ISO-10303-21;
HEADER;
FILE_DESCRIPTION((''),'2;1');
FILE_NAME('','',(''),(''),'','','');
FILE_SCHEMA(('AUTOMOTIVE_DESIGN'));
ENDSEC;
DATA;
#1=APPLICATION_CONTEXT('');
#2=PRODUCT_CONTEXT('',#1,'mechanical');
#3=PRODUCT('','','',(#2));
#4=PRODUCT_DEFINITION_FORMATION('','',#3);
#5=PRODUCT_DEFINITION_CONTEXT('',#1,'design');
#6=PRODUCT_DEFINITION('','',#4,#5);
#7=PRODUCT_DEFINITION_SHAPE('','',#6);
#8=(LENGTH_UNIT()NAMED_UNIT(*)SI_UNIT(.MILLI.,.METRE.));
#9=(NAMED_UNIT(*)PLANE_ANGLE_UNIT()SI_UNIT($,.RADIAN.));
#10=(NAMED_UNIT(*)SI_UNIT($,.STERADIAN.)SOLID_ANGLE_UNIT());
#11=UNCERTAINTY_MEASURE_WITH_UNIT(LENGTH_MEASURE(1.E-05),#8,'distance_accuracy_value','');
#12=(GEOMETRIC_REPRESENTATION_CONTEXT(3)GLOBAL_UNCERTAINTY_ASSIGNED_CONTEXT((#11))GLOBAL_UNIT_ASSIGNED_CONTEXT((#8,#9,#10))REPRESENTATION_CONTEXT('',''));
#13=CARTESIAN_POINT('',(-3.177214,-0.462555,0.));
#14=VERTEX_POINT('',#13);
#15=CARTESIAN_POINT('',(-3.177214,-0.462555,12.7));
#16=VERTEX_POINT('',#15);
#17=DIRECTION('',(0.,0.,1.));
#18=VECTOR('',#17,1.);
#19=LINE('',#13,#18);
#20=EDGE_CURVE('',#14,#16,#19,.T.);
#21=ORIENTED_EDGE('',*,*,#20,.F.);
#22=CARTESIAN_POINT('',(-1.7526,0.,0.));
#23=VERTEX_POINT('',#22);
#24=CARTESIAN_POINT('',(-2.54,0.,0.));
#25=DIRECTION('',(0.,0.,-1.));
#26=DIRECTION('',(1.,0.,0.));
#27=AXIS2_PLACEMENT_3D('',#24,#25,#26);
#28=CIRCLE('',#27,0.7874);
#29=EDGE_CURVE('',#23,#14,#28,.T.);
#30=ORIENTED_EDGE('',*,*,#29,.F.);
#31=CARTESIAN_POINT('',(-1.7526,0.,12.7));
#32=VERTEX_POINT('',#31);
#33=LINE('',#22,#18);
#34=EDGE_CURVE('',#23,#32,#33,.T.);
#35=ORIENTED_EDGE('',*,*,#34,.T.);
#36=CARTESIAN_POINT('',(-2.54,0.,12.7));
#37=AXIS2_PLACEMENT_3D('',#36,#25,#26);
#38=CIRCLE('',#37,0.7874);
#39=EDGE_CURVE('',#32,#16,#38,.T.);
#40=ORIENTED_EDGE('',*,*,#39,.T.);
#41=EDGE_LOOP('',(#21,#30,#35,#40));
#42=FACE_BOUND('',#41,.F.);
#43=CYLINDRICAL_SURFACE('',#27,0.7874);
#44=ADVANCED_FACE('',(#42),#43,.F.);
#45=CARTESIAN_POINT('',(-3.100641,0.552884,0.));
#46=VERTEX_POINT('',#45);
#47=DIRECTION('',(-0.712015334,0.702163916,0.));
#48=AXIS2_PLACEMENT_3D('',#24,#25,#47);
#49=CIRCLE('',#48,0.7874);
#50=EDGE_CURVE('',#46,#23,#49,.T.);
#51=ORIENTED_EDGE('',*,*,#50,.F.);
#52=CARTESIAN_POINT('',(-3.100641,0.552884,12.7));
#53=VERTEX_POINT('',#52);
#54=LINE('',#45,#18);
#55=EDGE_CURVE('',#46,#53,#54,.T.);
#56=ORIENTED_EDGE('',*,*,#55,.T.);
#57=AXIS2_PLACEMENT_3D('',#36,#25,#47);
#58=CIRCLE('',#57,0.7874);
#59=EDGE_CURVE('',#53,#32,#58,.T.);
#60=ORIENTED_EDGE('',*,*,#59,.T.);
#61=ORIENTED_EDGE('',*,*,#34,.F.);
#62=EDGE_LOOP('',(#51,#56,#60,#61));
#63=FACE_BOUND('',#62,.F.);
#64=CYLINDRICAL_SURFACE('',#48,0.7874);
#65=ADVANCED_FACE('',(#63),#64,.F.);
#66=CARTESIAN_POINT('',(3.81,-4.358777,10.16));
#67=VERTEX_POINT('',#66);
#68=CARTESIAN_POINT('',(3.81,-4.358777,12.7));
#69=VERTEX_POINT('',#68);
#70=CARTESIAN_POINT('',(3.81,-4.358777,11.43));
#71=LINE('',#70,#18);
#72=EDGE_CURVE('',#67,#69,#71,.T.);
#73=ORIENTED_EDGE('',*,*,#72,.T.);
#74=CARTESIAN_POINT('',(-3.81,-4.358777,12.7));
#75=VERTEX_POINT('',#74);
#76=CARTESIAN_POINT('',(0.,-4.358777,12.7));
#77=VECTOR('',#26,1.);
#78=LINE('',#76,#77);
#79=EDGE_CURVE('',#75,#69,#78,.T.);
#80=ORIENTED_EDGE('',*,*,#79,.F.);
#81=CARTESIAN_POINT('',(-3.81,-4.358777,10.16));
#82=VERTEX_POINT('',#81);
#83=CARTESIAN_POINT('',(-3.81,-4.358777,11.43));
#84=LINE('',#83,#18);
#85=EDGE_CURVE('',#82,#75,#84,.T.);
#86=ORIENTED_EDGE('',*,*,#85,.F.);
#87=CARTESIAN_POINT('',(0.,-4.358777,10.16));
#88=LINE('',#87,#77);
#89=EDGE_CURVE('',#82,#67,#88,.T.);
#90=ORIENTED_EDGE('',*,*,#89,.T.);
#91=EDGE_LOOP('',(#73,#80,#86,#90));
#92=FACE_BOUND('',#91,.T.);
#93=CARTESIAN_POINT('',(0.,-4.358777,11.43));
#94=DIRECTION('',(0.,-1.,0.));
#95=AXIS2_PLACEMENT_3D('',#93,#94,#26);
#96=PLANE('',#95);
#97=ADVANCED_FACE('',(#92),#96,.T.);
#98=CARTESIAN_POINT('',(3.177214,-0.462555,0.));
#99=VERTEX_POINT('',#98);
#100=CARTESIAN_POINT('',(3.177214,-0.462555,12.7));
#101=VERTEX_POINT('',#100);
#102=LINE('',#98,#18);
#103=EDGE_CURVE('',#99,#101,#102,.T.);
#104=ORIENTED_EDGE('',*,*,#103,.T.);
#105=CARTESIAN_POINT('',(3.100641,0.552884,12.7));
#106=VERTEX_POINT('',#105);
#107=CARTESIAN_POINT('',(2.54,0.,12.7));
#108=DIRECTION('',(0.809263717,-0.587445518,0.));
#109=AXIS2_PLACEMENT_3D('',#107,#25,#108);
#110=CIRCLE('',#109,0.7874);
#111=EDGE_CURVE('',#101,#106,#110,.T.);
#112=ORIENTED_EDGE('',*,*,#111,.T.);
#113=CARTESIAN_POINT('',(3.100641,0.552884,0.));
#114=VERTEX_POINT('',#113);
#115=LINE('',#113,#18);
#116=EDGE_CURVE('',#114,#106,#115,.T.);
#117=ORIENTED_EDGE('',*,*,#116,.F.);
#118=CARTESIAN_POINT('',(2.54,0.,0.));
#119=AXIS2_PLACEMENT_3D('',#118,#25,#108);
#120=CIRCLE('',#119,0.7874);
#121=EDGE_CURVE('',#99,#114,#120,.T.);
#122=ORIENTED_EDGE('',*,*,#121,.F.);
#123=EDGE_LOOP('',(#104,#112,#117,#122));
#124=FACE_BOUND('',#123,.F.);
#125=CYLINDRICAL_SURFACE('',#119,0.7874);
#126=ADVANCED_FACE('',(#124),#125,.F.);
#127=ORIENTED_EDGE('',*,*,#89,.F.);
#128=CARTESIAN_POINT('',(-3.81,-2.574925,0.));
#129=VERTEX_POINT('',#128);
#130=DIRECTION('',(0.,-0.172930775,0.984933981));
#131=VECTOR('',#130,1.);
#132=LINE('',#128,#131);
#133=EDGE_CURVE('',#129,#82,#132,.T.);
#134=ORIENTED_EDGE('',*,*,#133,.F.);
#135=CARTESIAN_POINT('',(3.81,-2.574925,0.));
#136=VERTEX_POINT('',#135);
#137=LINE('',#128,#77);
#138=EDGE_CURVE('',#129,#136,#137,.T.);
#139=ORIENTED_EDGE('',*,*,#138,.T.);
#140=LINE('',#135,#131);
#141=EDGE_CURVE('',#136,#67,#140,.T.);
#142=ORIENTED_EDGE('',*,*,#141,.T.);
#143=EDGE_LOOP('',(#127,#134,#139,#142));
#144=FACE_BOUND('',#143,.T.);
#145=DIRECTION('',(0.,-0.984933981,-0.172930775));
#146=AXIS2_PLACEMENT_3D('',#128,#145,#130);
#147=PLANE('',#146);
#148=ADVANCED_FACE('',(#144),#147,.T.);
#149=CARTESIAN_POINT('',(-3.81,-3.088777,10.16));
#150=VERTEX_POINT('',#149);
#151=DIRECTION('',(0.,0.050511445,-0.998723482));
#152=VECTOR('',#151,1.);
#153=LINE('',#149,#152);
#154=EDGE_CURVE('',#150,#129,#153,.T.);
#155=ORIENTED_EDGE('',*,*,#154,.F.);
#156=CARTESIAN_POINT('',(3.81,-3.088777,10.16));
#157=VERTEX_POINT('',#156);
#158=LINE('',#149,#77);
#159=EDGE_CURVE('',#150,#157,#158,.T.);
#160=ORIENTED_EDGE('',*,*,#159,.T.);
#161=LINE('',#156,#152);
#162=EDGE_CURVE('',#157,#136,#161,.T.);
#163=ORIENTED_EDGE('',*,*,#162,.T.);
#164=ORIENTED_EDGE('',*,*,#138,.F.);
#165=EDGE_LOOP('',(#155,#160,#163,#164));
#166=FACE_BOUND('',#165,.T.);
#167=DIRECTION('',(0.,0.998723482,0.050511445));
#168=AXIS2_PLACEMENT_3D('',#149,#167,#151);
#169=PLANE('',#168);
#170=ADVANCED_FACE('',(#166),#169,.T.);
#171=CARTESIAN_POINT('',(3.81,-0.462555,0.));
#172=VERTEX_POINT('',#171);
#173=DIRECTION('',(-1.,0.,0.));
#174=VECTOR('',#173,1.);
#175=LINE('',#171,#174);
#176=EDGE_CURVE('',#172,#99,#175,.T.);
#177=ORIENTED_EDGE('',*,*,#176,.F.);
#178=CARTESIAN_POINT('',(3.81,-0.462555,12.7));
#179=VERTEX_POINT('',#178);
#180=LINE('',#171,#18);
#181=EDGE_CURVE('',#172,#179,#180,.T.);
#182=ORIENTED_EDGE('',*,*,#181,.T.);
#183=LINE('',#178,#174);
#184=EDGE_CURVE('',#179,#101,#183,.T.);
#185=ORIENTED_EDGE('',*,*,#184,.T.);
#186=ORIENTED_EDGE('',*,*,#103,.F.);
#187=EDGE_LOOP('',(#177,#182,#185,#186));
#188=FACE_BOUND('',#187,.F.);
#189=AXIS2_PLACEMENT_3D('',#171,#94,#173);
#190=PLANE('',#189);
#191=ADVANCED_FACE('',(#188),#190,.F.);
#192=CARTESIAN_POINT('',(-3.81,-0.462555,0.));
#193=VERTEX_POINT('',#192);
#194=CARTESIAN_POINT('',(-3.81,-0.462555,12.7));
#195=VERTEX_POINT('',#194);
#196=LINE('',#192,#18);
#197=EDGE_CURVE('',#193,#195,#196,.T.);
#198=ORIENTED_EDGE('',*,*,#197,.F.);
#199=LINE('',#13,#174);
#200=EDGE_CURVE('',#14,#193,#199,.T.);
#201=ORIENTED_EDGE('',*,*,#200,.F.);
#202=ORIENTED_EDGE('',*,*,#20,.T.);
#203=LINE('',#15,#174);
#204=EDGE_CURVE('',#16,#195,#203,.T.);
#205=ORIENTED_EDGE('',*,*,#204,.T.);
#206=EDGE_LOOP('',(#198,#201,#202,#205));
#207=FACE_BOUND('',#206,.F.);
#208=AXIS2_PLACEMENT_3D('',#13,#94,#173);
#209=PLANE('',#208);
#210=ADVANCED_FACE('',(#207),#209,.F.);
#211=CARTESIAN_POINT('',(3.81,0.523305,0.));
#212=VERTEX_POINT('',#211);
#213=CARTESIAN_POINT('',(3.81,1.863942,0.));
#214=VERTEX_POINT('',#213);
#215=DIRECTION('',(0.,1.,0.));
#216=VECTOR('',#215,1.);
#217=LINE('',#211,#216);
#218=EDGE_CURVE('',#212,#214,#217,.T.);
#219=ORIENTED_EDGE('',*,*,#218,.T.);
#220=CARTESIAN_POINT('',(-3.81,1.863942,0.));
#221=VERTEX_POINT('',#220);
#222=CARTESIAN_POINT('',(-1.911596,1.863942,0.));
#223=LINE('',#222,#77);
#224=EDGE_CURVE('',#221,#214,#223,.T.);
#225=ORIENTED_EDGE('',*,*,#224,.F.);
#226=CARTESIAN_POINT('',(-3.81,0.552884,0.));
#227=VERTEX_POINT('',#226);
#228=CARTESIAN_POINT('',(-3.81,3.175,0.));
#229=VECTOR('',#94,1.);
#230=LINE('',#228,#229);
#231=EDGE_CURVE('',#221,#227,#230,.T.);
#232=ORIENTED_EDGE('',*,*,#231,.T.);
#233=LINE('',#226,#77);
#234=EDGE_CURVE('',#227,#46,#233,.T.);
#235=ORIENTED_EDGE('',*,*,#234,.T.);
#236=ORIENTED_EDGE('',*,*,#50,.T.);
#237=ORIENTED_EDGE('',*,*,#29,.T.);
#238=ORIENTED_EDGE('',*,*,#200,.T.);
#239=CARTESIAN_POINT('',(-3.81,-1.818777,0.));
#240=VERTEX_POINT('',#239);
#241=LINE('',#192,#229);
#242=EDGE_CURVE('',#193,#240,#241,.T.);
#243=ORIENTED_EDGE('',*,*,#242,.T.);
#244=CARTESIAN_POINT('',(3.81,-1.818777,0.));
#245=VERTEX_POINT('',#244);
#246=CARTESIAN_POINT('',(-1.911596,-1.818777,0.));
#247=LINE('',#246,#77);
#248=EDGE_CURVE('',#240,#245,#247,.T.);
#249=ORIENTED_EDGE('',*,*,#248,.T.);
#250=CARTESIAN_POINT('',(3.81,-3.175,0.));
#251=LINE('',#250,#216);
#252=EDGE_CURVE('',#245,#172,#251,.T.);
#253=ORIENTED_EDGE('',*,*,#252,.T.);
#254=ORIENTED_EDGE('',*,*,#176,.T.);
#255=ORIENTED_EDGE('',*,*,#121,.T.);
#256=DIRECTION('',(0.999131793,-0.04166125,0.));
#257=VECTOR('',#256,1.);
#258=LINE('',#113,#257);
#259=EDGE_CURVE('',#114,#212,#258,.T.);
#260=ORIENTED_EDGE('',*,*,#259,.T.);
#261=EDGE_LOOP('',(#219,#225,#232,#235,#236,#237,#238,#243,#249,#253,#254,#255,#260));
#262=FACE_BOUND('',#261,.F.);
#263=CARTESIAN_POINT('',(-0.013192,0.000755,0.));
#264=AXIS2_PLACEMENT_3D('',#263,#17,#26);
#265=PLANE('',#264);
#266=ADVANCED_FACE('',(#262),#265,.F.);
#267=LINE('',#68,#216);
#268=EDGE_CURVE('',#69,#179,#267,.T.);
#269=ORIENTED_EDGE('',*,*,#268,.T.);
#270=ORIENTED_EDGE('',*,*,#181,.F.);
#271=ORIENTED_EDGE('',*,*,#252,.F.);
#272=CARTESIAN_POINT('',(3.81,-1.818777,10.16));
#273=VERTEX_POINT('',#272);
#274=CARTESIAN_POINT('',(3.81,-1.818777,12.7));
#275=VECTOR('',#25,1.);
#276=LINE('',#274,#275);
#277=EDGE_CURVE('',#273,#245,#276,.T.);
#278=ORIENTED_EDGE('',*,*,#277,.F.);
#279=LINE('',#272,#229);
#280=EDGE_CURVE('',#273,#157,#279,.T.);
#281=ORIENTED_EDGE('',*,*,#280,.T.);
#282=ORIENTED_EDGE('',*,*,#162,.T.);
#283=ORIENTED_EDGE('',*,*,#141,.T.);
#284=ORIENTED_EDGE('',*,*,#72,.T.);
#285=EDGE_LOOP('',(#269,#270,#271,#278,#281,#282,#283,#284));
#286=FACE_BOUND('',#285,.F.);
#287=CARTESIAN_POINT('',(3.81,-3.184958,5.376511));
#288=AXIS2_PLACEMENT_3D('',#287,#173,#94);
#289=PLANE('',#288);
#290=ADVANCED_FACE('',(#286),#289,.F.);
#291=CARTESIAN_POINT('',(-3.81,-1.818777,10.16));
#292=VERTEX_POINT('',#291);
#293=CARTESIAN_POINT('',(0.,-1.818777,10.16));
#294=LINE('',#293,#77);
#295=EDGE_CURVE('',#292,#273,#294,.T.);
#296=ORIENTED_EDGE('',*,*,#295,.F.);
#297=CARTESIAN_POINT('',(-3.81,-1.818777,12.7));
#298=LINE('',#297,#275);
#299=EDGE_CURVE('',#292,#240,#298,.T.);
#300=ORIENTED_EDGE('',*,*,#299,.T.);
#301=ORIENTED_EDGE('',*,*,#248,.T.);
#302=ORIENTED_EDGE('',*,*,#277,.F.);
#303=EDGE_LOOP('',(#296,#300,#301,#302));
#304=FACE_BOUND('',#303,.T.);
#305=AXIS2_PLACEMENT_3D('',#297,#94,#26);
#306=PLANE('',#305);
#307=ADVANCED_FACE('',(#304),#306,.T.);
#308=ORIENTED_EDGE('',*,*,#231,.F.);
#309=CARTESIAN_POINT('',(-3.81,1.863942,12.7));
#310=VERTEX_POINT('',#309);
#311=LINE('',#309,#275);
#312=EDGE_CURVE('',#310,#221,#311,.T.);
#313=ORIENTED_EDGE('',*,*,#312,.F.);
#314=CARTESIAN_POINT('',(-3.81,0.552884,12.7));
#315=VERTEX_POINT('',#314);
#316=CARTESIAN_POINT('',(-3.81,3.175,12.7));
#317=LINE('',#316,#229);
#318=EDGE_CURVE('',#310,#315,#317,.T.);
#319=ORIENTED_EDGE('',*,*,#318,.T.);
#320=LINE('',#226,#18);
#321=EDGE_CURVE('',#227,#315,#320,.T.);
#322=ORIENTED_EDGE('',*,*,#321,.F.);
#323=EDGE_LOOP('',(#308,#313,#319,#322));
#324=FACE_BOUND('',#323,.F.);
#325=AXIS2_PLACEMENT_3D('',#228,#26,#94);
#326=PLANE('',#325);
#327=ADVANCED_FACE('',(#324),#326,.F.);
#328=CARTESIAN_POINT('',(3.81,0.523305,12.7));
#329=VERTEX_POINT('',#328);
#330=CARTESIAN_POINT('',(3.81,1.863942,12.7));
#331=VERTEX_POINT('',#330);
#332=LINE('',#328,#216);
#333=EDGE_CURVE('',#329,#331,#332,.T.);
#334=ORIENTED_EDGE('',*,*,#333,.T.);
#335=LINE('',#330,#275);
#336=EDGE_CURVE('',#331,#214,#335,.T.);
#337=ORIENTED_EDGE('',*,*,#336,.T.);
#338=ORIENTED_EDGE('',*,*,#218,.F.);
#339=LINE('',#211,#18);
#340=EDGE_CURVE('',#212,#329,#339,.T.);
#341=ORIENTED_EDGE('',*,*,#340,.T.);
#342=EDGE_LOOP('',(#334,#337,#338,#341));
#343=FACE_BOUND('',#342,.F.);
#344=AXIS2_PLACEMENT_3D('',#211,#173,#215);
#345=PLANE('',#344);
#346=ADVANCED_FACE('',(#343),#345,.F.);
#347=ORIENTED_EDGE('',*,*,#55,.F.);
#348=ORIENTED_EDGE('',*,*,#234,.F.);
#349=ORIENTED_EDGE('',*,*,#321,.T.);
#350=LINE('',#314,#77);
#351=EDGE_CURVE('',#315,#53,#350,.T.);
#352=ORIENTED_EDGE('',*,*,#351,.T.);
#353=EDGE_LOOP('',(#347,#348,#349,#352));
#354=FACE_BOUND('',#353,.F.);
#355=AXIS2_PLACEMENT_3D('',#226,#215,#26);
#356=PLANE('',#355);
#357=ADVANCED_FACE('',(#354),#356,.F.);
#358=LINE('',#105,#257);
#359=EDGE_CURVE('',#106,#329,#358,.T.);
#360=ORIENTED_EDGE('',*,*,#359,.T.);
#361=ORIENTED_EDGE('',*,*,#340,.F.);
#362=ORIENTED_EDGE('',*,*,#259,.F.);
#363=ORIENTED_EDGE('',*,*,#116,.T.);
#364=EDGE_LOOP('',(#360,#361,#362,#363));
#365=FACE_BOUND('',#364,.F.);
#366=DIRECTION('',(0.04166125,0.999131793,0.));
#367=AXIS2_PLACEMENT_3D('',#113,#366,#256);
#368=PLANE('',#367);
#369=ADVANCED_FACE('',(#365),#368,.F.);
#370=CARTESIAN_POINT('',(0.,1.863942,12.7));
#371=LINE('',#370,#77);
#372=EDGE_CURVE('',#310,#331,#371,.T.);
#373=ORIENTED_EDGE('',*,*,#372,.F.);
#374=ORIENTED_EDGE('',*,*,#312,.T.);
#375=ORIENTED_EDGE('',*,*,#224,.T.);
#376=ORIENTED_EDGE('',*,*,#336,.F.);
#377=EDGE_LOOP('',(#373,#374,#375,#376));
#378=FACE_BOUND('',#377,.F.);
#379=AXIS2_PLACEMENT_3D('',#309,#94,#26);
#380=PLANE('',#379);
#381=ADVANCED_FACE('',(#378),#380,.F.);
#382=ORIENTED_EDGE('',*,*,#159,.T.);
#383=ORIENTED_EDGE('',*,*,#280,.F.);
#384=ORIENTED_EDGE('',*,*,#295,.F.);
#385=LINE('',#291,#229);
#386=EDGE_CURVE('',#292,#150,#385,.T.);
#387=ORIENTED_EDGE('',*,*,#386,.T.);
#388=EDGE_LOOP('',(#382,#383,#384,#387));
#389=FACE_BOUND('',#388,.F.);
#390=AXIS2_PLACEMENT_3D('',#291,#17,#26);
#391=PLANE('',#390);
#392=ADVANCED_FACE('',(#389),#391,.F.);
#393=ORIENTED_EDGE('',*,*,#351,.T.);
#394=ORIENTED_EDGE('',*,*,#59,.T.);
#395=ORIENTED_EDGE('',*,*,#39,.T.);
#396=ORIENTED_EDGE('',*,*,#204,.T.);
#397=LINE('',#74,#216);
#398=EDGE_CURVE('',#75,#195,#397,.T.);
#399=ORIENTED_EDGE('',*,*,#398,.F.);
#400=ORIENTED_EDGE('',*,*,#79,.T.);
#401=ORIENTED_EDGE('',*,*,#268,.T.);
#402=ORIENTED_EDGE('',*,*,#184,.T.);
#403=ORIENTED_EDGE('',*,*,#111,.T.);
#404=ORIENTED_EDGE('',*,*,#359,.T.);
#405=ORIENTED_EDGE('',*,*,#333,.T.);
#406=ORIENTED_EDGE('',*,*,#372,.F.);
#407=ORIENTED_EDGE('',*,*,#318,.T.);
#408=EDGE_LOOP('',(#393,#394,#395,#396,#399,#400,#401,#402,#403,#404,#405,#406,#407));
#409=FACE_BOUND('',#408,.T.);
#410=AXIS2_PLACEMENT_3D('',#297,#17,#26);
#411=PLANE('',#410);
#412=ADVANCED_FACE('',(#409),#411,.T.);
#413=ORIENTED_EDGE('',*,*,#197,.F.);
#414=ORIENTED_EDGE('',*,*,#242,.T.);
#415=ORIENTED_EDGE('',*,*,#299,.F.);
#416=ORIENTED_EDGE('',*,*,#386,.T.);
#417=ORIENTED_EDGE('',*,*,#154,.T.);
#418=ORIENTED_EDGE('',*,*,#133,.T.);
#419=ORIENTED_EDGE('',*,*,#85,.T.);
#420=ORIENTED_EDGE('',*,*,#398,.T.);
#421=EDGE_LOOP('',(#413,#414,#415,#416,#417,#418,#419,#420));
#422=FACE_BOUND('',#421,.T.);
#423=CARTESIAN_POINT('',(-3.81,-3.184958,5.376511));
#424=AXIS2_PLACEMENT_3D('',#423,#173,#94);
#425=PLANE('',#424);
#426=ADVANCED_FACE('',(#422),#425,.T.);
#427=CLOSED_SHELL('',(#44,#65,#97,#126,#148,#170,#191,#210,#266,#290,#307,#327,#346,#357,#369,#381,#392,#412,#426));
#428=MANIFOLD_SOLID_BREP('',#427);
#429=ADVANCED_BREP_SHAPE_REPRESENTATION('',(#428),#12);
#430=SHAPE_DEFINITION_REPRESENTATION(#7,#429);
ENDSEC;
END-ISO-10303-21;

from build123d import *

# Parameters (mm, degrees)
F1_DEPTH = 12.7
F2_W     = 7.62
F2_H     = 1.3110580664
F2_H_2   = 1.3562226996
F3_DEPTH = 25.4
F4_W     = 7.62
F4_H     = 2.54
F5_DEPTH = 2.54
F7_DEPTH = 7.62


with BuildPart() as f1:
    # F0 (on Top) → F1 (new body)
    with BuildSketch(Plane.XY):
        with BuildLine():
            Line((-3.81, -0.4625546008), (-3.81, -3.175))
            Line((-3.81, -3.175), (3.81, -3.175))
            Line((3.81, -3.175), (3.81, -0.4625546008))
            Line((3.81, -0.4625546008), (3.1772142507, -0.4625546008))
            ThreePointArc((3.1772142507, -0.4625546008), (1.754829289, -0.0592090754), (3.1006408738, 0.5528838672))
            Line((3.1006408738, 0.5528838672), (3.81, 0.523305399))
            Line((3.81, 0.523305399), (3.81, 3.175))
            Line((3.81, 3.175), (-3.81, 3.175))
            Line((-3.81, 3.175), (-3.81, 0.5528838672))
            Line((-3.81, 0.5528838672), (-3.1006408738, 0.5528838672))
            ThreePointArc((-3.1006408738, 0.5528838672), (-2.2412106629, 0.7285078531), (-1.7526, 0))
            ThreePointArc((-1.7526, 0), (-2.2968372366, -0.7489129659), (-3.1772142507, -0.4625546008))
            Line((-3.1772142507, -0.4625546008), (-3.81, -0.4625546008))
        make_face()
    extrude(amount=F1_DEPTH)

    # F2 (on face) → F3 (cut)
    with BuildSketch(Plane.XY.offset(12.7)):
        with Locations((0, 2.5194709668)):
            Rectangle(F2_W, F2_H)
        with Locations((0, -2.4968886502)):
            Rectangle(F2_W, F2_H_2)
    extrude(amount=-F3_DEPTH, mode=Mode.SUBTRACT)

    # F4 (on face) → F5 (join)
    with BuildSketch(Plane.XZ.offset(1.8187773004)):
        with Locations((0, 11.43)):
            Rectangle(F4_W, F4_H)
    extrude(amount=F5_DEPTH)

    # F6 (on face) → F7 (join)
    with BuildSketch(Plane(origin=(-3.81, 0, 0), x_dir=(0, -1, 0), z_dir=(-1, 0, 0))):
        Polygon((3.0887773004, 10.16), (2.5749250781, 0), (4.3587773004, 10.16), align=None)
    extrude(amount=-F7_DEPTH)


solid = f1.part
